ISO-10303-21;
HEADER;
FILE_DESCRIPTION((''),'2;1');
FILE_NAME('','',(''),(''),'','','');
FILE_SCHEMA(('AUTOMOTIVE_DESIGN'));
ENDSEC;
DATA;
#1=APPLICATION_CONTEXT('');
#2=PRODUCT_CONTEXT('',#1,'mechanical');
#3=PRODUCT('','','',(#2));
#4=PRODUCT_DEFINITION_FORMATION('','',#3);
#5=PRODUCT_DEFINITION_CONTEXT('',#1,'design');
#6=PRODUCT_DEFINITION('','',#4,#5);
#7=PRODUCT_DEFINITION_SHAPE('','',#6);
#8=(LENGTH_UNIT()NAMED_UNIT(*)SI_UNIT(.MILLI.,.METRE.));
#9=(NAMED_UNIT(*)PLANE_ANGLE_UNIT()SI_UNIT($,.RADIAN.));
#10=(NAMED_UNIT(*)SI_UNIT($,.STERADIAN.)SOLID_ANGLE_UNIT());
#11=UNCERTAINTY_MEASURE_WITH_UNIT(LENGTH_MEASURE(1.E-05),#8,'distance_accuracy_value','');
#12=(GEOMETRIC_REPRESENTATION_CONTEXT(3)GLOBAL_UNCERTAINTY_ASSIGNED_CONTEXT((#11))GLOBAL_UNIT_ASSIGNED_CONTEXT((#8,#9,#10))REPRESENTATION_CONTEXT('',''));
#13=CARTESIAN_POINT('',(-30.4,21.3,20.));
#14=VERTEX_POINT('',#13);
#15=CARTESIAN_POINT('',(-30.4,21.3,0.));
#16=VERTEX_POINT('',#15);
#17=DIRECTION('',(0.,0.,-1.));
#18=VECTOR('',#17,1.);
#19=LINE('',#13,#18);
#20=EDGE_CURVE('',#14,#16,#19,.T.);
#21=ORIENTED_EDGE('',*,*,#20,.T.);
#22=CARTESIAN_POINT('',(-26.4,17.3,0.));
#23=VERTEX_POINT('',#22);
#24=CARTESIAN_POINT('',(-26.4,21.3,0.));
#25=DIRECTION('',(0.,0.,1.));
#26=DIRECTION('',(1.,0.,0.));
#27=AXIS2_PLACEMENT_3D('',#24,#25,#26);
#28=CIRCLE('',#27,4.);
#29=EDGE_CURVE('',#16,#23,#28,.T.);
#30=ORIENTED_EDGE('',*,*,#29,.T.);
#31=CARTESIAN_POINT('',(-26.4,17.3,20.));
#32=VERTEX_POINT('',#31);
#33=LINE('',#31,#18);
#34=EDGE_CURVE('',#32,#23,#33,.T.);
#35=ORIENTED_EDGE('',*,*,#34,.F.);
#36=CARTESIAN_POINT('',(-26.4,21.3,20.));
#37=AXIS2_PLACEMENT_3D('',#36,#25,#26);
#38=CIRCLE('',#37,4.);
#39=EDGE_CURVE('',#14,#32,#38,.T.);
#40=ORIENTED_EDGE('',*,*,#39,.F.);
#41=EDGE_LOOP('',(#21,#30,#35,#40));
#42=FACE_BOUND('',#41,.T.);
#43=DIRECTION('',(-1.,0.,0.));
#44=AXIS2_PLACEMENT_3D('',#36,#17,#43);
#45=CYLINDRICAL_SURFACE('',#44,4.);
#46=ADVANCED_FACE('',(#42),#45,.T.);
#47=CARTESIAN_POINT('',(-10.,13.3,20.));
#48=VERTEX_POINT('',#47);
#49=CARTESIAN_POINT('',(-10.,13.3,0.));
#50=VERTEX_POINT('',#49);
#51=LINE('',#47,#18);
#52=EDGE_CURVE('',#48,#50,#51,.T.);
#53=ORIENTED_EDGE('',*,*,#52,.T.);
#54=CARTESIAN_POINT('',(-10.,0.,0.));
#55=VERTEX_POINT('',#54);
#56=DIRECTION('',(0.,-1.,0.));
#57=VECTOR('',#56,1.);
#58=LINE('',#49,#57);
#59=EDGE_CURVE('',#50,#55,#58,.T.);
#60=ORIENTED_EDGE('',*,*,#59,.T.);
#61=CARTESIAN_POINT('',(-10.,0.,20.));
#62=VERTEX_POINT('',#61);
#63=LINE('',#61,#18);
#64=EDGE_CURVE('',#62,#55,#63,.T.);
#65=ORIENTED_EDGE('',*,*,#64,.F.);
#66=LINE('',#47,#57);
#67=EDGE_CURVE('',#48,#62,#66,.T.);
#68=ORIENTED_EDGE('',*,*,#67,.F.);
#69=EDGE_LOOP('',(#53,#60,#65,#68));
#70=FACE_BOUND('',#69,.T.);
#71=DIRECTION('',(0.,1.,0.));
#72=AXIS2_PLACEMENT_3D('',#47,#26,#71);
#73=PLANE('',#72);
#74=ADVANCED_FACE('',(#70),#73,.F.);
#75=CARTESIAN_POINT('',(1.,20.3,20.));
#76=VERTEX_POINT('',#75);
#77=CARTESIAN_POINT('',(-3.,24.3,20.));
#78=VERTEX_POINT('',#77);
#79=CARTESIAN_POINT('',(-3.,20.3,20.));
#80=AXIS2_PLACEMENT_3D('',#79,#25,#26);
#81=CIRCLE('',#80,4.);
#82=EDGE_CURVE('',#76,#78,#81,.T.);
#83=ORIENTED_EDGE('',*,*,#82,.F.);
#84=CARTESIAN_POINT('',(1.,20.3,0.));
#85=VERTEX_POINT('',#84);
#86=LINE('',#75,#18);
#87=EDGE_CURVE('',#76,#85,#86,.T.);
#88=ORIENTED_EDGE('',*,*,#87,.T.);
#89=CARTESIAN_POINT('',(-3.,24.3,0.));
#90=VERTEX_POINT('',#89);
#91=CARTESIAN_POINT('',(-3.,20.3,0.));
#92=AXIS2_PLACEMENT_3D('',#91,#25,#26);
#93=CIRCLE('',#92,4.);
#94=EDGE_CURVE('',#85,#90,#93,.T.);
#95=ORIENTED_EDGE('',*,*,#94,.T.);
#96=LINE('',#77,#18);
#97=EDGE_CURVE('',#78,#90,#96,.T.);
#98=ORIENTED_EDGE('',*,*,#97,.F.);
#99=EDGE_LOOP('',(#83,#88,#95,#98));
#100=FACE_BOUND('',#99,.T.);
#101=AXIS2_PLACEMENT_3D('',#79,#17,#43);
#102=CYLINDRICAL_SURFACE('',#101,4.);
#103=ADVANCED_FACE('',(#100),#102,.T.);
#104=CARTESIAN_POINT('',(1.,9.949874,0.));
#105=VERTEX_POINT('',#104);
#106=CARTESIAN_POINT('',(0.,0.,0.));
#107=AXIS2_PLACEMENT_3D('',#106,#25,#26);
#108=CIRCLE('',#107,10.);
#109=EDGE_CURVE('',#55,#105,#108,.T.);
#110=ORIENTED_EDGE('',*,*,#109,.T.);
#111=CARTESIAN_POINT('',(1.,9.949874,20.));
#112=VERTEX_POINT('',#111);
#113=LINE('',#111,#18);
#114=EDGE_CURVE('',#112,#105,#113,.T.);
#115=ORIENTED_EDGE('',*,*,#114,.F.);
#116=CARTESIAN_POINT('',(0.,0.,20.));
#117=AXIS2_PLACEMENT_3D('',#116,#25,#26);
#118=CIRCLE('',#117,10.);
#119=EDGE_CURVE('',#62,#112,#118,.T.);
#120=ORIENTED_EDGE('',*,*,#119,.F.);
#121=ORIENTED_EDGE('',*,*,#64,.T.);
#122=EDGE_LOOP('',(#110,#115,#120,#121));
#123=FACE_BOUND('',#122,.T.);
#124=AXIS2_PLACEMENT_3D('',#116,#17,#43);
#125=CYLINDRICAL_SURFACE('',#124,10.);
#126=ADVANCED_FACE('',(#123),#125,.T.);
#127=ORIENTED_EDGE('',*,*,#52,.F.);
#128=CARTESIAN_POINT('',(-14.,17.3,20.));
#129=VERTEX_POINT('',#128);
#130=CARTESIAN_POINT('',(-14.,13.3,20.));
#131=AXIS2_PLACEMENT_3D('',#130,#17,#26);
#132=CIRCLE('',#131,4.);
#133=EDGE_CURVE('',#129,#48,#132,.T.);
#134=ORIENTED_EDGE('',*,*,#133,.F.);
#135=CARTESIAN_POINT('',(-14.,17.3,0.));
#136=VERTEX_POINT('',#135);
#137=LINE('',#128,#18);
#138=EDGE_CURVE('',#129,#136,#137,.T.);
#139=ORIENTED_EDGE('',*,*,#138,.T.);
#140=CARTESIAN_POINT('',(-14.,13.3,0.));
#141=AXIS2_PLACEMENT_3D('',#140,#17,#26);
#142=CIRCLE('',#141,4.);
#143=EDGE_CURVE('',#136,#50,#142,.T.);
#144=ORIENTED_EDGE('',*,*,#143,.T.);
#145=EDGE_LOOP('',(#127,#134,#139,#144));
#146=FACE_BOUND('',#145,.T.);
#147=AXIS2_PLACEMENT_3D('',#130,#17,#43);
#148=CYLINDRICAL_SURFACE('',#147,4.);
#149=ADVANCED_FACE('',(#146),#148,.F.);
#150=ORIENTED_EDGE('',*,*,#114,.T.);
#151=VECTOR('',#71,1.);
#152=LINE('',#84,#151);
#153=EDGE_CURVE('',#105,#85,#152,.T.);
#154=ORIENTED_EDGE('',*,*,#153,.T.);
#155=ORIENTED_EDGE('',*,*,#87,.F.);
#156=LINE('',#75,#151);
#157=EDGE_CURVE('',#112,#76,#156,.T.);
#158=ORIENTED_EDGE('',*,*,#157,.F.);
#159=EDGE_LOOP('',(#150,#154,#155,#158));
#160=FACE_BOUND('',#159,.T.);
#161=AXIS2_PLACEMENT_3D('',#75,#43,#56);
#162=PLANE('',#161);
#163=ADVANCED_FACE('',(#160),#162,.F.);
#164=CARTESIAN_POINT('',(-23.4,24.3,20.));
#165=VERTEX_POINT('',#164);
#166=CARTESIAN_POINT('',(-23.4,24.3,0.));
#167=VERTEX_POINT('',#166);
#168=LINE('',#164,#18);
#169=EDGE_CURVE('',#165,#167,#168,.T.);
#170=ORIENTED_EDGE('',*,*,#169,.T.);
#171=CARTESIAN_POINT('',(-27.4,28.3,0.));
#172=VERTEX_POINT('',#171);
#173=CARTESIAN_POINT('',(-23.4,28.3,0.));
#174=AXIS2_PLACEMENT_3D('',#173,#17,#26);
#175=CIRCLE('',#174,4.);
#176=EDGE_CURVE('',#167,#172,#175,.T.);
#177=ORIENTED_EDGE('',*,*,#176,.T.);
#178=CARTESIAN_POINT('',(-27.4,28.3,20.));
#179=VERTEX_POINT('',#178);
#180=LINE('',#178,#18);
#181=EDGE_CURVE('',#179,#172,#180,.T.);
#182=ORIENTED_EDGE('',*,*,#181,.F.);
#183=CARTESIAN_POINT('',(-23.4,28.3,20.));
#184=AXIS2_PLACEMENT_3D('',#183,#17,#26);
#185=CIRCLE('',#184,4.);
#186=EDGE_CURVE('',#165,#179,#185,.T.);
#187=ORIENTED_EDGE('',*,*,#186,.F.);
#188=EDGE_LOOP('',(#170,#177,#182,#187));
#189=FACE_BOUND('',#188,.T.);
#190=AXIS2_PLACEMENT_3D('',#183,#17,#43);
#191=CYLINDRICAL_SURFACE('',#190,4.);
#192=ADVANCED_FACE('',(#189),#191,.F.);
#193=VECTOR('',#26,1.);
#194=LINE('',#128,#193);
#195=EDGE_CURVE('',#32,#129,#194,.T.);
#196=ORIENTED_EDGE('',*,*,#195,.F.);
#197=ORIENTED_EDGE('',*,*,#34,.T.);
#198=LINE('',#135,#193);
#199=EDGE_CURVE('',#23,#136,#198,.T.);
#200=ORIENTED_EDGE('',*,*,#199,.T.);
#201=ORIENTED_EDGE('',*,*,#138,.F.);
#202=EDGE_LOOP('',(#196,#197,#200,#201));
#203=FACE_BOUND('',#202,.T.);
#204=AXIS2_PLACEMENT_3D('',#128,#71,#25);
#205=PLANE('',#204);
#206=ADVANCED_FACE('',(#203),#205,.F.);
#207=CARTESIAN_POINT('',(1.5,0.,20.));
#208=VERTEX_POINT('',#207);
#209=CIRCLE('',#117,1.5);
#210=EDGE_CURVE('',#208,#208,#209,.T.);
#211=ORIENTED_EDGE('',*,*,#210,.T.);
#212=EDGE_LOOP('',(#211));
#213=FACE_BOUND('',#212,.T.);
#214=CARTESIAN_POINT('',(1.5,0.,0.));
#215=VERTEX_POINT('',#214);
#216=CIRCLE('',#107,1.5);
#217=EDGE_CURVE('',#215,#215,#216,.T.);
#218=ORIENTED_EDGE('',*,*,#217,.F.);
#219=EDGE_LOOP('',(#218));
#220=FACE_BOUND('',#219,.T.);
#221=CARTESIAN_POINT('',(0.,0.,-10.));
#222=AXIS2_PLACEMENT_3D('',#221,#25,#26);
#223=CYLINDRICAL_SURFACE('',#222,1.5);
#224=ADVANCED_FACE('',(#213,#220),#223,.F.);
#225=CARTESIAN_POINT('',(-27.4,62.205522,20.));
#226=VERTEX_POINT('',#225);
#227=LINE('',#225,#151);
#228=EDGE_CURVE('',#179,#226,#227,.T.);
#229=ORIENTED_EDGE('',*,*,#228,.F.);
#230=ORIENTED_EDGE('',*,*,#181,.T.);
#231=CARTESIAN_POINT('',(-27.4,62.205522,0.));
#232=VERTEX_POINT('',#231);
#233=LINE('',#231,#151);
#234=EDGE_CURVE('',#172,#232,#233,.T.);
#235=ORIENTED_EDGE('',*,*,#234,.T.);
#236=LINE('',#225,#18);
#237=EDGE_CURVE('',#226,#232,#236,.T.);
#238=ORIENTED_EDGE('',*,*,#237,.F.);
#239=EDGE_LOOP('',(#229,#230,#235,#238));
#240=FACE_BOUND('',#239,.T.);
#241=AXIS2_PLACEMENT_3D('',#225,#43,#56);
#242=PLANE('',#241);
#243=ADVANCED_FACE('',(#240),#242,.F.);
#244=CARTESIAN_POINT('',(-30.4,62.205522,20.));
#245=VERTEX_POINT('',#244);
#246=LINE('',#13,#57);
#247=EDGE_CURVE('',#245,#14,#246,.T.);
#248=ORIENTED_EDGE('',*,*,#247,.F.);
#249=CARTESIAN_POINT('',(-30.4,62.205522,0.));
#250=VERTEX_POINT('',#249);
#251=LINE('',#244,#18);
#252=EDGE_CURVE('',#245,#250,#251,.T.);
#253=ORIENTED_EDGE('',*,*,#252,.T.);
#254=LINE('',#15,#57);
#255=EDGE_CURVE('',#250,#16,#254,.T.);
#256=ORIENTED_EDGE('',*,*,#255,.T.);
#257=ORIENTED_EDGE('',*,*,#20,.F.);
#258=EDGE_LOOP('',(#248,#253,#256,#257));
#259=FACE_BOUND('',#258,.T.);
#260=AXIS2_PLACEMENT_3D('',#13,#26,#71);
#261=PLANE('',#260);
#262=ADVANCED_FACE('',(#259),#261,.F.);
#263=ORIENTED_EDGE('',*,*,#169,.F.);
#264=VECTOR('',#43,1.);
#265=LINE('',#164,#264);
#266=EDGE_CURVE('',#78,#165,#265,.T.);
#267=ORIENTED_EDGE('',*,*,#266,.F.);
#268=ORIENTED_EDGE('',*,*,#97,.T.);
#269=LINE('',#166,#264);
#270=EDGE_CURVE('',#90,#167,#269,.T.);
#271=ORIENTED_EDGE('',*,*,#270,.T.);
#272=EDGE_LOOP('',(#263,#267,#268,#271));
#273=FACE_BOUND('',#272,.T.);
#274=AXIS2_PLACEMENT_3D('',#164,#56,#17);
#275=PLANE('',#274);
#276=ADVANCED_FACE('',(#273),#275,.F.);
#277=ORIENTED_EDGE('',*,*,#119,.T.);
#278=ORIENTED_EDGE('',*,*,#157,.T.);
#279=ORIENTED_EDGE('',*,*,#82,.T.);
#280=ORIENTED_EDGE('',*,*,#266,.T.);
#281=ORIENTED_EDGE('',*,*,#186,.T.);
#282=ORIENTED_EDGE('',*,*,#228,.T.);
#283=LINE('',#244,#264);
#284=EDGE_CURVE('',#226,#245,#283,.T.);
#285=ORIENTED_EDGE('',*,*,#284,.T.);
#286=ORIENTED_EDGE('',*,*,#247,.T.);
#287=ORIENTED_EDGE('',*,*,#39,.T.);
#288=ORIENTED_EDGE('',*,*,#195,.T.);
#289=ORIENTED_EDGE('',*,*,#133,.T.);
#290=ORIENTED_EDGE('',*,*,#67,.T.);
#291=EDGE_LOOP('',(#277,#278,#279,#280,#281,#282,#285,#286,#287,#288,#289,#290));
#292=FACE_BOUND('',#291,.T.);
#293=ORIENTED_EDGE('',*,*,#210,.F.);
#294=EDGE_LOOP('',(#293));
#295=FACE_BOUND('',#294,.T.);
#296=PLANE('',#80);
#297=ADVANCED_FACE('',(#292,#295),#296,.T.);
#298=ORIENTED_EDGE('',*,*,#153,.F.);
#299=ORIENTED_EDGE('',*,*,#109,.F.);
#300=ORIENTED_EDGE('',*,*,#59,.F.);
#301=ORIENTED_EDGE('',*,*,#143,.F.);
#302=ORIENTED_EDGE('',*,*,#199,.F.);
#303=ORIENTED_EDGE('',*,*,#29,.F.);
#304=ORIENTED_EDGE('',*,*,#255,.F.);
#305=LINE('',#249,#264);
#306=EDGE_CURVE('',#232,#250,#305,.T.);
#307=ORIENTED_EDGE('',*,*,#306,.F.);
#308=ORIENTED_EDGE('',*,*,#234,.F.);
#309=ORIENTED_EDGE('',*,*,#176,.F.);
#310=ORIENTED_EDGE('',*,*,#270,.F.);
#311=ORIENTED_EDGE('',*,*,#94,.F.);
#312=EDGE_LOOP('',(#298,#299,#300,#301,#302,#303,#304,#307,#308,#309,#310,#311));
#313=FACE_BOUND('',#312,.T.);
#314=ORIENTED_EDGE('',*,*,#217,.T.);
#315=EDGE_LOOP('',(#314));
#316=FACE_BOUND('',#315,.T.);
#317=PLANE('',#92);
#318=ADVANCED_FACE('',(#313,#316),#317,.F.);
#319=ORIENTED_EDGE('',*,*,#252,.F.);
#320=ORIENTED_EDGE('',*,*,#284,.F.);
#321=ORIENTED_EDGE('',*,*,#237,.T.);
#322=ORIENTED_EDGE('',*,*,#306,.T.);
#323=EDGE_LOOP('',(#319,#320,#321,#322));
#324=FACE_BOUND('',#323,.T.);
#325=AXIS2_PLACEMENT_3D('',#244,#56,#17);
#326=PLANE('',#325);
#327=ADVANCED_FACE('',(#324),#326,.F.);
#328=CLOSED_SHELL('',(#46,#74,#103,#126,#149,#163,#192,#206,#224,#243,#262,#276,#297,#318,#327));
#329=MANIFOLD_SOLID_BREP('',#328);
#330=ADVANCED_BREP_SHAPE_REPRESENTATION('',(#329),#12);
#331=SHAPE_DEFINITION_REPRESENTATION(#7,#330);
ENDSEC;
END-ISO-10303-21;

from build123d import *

# Parameters (mm, degrees)
BOSS_EXTRUDE2_DEPTH = 20
SKETCH2_R           = 1.5
CUT_EXTRUDE1_DEPTH  = 30


with BuildPart() as part:
    # Sketch1 → Boss-Extrude2 (new body)
    with BuildSketch(Plane.XY):
        with BuildLine():
            Line((-14, 17.3), (-26.4, 17.3))
            ThreePointArc((-26.4, 17.3), (-29.228427125, 18.471572875), (-30.4, 21.3))
            Line((-30.4, 21.3), (-30.4, 62.205522081))
            Line((-30.4, 62.205522081), (-27.4, 62.205522081))
            Line((-27.4, 62.205522081), (-27.4, 28.3))
            ThreePointArc((-27.4, 28.3), (-26.228427125, 25.471572875), (-23.4, 24.3))
            Line((-23.4, 24.3), (-3, 24.3))
            ThreePointArc((-3, 24.3), (-0.171572875, 23.128427125), (1, 20.3))
            Line((1, 20.3), (1, 9.949874371))
            ThreePointArc((1, 9.949874371), (6.708203932, -7.416198487), (-10, 0))
            Line((-10, 0), (-10, 13.3))
            ThreePointArc((-10, 13.3), (-11.171572875, 16.128427125), (-14, 17.3))
        make_face()
    extrude(amount=BOSS_EXTRUDE2_DEPTH)

    # Sketch2 → Cut-Extrude1 (cut)
    with BuildSketch(Plane.XY.offset(20)):
        Circle(SKETCH2_R)
    extrude(amount=-CUT_EXTRUDE1_DEPTH, mode=Mode.SUBTRACT)


solid = part.part
